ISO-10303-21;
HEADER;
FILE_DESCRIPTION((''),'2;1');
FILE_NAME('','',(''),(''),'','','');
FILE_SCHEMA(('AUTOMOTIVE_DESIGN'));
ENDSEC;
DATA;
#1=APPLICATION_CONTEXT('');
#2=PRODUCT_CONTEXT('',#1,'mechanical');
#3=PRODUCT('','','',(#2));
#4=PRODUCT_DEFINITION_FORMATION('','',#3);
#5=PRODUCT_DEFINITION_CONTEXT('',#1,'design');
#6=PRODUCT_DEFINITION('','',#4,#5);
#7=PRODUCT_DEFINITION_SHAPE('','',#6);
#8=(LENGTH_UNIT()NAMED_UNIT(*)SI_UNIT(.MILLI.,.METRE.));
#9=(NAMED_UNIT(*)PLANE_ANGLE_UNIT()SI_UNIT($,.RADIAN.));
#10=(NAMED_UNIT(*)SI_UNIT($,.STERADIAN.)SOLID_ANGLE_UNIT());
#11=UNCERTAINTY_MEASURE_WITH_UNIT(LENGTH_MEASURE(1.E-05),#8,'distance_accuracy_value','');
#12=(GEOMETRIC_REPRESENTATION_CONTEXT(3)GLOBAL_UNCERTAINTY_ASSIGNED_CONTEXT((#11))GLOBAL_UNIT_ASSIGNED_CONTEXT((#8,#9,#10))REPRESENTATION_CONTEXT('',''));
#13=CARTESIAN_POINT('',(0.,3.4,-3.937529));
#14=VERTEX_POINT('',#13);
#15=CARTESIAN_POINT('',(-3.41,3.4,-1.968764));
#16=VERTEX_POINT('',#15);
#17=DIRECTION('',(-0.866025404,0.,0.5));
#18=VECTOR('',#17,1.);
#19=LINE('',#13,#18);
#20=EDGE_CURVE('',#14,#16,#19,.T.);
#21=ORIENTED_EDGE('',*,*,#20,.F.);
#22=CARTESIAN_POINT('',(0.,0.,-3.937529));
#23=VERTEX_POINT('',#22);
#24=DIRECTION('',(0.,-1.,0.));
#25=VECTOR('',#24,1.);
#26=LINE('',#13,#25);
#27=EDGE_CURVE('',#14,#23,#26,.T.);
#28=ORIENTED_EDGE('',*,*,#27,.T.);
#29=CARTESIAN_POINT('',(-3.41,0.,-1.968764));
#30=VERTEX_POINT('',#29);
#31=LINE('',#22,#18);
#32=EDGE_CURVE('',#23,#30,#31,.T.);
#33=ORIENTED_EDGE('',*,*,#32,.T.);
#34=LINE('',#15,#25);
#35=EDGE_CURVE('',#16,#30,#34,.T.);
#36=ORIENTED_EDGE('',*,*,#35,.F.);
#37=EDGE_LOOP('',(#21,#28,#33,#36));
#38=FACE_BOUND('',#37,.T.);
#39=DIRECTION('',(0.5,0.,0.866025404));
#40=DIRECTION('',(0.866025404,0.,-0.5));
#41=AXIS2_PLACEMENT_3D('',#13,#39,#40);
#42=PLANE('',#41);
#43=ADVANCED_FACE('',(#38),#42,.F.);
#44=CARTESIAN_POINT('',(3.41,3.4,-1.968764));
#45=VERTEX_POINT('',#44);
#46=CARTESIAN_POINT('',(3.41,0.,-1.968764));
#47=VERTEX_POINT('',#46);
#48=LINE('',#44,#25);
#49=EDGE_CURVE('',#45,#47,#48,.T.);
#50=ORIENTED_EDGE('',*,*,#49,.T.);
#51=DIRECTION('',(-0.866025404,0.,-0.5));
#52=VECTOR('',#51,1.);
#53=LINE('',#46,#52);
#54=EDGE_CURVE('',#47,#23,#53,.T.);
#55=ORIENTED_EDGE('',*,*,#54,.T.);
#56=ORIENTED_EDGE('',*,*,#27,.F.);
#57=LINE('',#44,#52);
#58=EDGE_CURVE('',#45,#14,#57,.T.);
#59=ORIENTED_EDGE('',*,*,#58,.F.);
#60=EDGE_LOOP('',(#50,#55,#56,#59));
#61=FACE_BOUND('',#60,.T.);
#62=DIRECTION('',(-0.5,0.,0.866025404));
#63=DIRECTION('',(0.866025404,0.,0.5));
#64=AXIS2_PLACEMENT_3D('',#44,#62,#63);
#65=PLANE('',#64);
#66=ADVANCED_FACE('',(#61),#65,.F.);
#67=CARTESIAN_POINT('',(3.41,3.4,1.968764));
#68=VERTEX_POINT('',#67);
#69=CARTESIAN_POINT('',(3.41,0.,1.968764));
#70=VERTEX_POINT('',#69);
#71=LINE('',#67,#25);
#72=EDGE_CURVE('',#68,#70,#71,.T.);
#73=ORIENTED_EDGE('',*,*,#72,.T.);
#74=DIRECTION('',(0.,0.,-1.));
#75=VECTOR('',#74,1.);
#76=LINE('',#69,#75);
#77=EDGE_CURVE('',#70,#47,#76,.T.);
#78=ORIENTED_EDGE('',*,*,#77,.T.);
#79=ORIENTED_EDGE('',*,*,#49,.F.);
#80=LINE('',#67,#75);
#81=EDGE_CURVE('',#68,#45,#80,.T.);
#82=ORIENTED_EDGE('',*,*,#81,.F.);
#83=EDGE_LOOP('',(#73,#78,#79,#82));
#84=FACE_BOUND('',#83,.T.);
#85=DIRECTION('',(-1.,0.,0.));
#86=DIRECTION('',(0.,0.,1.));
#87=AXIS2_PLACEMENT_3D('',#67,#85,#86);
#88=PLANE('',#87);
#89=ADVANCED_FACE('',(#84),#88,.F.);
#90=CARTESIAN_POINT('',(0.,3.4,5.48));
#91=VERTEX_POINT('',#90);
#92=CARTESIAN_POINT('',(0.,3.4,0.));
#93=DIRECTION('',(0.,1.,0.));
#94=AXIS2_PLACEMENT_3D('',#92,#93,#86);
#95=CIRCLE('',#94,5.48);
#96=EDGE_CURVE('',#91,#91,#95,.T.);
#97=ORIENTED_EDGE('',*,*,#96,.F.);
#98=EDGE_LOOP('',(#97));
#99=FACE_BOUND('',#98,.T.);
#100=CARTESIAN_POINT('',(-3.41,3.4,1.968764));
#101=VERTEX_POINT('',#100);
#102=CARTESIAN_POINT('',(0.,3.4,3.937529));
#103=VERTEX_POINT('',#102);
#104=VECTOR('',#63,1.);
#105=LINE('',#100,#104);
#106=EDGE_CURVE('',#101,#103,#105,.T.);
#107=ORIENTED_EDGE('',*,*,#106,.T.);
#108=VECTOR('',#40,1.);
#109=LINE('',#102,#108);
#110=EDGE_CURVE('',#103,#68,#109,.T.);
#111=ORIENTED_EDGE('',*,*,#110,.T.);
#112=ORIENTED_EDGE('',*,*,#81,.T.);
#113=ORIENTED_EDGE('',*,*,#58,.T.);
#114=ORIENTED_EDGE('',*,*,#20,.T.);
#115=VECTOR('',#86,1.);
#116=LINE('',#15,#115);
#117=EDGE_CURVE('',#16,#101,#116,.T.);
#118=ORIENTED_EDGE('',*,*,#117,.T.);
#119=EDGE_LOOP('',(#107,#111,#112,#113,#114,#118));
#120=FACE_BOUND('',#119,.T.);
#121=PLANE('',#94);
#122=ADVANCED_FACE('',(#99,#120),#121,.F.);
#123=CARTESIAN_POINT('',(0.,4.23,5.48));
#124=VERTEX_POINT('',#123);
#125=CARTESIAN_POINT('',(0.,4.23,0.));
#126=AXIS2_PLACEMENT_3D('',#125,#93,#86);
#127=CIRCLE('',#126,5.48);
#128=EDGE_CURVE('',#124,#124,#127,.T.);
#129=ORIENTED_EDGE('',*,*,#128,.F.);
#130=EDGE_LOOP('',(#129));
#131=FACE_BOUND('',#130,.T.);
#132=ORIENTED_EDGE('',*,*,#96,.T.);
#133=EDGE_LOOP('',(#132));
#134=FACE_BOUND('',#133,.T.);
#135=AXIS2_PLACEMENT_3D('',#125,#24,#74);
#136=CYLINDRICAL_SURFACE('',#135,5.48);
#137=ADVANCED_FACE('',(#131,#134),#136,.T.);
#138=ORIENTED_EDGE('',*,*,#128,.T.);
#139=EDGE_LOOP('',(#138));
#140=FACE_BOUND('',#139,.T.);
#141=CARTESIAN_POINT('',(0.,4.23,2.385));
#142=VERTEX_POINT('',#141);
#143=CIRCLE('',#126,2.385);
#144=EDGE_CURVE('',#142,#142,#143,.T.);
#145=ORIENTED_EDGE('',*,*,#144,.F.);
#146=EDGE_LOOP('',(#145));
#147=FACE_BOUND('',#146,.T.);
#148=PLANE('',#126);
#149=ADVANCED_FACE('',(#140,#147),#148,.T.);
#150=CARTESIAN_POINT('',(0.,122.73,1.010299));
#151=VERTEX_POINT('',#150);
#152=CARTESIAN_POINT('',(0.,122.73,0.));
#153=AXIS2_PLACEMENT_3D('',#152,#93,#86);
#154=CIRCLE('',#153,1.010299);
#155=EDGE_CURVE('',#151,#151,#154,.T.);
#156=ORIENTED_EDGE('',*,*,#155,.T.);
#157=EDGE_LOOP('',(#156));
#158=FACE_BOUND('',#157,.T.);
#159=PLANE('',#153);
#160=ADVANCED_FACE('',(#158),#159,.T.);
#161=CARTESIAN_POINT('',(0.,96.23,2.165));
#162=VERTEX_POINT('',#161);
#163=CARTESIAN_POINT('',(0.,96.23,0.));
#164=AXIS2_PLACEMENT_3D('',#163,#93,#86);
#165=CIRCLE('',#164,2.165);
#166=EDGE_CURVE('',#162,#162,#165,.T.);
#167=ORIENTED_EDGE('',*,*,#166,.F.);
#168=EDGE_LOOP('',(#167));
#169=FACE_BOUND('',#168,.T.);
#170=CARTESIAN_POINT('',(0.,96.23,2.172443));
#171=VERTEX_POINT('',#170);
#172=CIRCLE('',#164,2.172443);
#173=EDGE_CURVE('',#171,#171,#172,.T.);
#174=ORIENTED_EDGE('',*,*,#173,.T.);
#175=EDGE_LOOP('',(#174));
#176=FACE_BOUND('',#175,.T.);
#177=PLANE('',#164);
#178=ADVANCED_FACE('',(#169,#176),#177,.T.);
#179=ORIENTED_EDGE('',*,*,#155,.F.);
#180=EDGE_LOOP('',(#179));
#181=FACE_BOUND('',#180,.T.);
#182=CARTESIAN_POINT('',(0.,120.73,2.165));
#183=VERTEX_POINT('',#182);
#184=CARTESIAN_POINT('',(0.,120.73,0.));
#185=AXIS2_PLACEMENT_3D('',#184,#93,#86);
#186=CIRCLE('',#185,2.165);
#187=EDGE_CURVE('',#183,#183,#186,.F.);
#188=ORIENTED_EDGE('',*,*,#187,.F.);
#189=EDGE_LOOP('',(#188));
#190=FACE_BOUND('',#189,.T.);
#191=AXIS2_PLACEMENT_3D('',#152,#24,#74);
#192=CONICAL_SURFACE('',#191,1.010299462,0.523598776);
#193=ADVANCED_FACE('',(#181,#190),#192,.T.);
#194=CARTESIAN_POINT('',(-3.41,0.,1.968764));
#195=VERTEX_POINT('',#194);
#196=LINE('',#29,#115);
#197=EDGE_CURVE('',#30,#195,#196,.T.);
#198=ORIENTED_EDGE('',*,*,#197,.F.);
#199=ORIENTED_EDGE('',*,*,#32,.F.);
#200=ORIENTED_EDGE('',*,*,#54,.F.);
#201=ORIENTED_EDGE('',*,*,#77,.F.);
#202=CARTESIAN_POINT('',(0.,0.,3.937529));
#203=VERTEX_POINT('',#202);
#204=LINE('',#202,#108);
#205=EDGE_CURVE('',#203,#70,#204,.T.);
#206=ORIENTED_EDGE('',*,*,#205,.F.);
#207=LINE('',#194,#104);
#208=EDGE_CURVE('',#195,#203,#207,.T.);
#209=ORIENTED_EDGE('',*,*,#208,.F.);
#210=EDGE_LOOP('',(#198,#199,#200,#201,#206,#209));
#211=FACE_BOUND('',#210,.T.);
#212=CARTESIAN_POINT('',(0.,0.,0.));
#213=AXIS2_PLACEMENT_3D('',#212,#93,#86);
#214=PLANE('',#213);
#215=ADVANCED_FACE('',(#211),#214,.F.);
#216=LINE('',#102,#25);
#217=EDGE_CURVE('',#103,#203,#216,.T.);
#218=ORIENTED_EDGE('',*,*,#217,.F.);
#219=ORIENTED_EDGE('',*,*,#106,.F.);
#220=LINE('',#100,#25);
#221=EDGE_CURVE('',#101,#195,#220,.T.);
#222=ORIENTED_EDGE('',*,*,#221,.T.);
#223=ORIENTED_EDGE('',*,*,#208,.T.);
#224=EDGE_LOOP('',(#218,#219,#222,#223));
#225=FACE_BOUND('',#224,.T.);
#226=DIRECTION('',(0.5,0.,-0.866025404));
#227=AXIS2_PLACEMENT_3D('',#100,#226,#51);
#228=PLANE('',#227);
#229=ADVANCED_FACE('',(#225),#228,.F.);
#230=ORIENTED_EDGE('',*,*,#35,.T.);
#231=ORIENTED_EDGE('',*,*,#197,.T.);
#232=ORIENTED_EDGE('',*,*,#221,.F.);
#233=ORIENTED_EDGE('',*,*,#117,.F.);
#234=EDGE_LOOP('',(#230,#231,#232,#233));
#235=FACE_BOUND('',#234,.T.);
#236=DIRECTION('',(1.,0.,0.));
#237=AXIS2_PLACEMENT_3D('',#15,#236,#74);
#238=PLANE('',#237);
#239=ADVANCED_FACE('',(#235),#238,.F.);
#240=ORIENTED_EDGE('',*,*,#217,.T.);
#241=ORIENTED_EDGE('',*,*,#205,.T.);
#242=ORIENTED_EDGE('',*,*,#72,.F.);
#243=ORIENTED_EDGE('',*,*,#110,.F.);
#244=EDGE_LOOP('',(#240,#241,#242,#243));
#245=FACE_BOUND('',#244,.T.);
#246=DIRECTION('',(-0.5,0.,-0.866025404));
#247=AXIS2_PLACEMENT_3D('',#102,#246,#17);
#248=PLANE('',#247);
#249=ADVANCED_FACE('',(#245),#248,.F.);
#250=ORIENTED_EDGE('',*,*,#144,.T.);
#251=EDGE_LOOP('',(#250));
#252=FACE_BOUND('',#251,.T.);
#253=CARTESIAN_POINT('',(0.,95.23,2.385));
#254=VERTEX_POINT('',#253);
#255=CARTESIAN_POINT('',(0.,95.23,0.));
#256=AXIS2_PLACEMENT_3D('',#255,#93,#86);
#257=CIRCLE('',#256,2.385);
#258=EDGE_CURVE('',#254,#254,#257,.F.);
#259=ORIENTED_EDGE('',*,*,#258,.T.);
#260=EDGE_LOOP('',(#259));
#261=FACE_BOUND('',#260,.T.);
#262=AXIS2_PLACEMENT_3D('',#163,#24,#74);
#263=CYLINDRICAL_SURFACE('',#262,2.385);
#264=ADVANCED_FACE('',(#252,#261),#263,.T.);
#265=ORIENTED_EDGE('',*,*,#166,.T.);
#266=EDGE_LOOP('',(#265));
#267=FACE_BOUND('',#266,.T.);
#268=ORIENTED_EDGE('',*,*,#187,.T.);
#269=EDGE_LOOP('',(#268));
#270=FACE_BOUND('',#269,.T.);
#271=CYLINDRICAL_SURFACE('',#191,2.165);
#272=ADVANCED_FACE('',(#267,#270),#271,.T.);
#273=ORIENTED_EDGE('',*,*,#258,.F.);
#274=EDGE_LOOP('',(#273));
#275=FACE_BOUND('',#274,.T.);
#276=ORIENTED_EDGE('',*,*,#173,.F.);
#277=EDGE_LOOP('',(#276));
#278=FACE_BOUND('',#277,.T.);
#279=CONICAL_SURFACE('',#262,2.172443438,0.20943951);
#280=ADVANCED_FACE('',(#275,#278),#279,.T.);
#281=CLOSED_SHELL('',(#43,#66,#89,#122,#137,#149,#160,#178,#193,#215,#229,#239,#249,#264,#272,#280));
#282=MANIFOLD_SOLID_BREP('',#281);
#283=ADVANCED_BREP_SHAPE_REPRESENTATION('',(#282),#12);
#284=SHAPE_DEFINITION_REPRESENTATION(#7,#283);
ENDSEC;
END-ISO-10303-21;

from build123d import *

# Parameters (mm, degrees)
BOSS_EXTRUDE1_DEPTH = 3.4
SKETCH2_R           = 5.48
BOSS_EXTRUDE2_DEPTH = 0.83
SKETCH3_R           = 2.385
BOSS_EXTRUDE3_DEPTH = 92
SKETCH4_R           = 2.165
BOSS_EXTRUDE4_DEPTH = 26.5
CHAMFER1_SIZE       = 2
CHAMFER1_SIZE2      = 1.154700538
CHAMFER2_SIZE       = 1
CHAMFER2_SIZE2      = 0.212556562


with BuildPart() as part:
    # Sketch1 → Boss-Extrude1 (new body)
    with BuildSketch(Plane(origin=(0, 0, 0), x_dir=(1, 0, 0), z_dir=(0, 1, 0))):
        Polygon((0, -3.937528836), (3.41, -1.968764418), (3.41, 1.968764418), (0, 3.937528836), (-3.41, 1.968764418), (-3.41, -1.968764418), align=None)
    extrude(amount=BOSS_EXTRUDE1_DEPTH)

    # Sketch2 → Boss-Extrude2 (add)
    with BuildSketch(Plane(origin=(0, 3.4, 0), x_dir=(1, 0, 0), z_dir=(0, 1, 0))):
        Circle(SKETCH2_R)
    extrude(amount=BOSS_EXTRUDE2_DEPTH)

    # Sketch3 → Boss-Extrude3 (add)
    with BuildSketch(Plane(origin=(0, 4.23, 0), x_dir=(1, 0, 0), z_dir=(0, 1, 0))):
        Circle(SKETCH3_R)
    extrude(amount=BOSS_EXTRUDE3_DEPTH)

    # Sketch4 → Boss-Extrude4 (add)
    with BuildSketch(Plane(origin=(0, 96.23, 0), x_dir=(1, 0, 0), z_dir=(0, 1, 0))):
        Circle(SKETCH4_R)
    extrude(amount=BOSS_EXTRUDE4_DEPTH)

    # Chamfer1
    chamfer1_edges = [part.edges().sort_by_distance(p)[0] for p in [
        (-2.165, 122.73, 0),
    ]]
    chamfer1_side = [part.faces().sort_by_distance(p)[0] for p in [
        (-2.165, 109.48, 0),
    ]]
    chamfer(chamfer1_edges, length=CHAMFER1_SIZE, length2=CHAMFER1_SIZE2, reference=chamfer1_side[0])

    # Chamfer2
    chamfer2_edges = [part.edges().sort_by_distance(p)[0] for p in [
        (-2.385, 96.23, 0),
    ]]
    chamfer2_side = [part.faces().sort_by_distance(p)[0] for p in [
        (-2.385, 50.23, 0),
    ]]
    chamfer(chamfer2_edges, length=CHAMFER2_SIZE, length2=CHAMFER2_SIZE2, reference=chamfer2_side[0])


solid = part.part
